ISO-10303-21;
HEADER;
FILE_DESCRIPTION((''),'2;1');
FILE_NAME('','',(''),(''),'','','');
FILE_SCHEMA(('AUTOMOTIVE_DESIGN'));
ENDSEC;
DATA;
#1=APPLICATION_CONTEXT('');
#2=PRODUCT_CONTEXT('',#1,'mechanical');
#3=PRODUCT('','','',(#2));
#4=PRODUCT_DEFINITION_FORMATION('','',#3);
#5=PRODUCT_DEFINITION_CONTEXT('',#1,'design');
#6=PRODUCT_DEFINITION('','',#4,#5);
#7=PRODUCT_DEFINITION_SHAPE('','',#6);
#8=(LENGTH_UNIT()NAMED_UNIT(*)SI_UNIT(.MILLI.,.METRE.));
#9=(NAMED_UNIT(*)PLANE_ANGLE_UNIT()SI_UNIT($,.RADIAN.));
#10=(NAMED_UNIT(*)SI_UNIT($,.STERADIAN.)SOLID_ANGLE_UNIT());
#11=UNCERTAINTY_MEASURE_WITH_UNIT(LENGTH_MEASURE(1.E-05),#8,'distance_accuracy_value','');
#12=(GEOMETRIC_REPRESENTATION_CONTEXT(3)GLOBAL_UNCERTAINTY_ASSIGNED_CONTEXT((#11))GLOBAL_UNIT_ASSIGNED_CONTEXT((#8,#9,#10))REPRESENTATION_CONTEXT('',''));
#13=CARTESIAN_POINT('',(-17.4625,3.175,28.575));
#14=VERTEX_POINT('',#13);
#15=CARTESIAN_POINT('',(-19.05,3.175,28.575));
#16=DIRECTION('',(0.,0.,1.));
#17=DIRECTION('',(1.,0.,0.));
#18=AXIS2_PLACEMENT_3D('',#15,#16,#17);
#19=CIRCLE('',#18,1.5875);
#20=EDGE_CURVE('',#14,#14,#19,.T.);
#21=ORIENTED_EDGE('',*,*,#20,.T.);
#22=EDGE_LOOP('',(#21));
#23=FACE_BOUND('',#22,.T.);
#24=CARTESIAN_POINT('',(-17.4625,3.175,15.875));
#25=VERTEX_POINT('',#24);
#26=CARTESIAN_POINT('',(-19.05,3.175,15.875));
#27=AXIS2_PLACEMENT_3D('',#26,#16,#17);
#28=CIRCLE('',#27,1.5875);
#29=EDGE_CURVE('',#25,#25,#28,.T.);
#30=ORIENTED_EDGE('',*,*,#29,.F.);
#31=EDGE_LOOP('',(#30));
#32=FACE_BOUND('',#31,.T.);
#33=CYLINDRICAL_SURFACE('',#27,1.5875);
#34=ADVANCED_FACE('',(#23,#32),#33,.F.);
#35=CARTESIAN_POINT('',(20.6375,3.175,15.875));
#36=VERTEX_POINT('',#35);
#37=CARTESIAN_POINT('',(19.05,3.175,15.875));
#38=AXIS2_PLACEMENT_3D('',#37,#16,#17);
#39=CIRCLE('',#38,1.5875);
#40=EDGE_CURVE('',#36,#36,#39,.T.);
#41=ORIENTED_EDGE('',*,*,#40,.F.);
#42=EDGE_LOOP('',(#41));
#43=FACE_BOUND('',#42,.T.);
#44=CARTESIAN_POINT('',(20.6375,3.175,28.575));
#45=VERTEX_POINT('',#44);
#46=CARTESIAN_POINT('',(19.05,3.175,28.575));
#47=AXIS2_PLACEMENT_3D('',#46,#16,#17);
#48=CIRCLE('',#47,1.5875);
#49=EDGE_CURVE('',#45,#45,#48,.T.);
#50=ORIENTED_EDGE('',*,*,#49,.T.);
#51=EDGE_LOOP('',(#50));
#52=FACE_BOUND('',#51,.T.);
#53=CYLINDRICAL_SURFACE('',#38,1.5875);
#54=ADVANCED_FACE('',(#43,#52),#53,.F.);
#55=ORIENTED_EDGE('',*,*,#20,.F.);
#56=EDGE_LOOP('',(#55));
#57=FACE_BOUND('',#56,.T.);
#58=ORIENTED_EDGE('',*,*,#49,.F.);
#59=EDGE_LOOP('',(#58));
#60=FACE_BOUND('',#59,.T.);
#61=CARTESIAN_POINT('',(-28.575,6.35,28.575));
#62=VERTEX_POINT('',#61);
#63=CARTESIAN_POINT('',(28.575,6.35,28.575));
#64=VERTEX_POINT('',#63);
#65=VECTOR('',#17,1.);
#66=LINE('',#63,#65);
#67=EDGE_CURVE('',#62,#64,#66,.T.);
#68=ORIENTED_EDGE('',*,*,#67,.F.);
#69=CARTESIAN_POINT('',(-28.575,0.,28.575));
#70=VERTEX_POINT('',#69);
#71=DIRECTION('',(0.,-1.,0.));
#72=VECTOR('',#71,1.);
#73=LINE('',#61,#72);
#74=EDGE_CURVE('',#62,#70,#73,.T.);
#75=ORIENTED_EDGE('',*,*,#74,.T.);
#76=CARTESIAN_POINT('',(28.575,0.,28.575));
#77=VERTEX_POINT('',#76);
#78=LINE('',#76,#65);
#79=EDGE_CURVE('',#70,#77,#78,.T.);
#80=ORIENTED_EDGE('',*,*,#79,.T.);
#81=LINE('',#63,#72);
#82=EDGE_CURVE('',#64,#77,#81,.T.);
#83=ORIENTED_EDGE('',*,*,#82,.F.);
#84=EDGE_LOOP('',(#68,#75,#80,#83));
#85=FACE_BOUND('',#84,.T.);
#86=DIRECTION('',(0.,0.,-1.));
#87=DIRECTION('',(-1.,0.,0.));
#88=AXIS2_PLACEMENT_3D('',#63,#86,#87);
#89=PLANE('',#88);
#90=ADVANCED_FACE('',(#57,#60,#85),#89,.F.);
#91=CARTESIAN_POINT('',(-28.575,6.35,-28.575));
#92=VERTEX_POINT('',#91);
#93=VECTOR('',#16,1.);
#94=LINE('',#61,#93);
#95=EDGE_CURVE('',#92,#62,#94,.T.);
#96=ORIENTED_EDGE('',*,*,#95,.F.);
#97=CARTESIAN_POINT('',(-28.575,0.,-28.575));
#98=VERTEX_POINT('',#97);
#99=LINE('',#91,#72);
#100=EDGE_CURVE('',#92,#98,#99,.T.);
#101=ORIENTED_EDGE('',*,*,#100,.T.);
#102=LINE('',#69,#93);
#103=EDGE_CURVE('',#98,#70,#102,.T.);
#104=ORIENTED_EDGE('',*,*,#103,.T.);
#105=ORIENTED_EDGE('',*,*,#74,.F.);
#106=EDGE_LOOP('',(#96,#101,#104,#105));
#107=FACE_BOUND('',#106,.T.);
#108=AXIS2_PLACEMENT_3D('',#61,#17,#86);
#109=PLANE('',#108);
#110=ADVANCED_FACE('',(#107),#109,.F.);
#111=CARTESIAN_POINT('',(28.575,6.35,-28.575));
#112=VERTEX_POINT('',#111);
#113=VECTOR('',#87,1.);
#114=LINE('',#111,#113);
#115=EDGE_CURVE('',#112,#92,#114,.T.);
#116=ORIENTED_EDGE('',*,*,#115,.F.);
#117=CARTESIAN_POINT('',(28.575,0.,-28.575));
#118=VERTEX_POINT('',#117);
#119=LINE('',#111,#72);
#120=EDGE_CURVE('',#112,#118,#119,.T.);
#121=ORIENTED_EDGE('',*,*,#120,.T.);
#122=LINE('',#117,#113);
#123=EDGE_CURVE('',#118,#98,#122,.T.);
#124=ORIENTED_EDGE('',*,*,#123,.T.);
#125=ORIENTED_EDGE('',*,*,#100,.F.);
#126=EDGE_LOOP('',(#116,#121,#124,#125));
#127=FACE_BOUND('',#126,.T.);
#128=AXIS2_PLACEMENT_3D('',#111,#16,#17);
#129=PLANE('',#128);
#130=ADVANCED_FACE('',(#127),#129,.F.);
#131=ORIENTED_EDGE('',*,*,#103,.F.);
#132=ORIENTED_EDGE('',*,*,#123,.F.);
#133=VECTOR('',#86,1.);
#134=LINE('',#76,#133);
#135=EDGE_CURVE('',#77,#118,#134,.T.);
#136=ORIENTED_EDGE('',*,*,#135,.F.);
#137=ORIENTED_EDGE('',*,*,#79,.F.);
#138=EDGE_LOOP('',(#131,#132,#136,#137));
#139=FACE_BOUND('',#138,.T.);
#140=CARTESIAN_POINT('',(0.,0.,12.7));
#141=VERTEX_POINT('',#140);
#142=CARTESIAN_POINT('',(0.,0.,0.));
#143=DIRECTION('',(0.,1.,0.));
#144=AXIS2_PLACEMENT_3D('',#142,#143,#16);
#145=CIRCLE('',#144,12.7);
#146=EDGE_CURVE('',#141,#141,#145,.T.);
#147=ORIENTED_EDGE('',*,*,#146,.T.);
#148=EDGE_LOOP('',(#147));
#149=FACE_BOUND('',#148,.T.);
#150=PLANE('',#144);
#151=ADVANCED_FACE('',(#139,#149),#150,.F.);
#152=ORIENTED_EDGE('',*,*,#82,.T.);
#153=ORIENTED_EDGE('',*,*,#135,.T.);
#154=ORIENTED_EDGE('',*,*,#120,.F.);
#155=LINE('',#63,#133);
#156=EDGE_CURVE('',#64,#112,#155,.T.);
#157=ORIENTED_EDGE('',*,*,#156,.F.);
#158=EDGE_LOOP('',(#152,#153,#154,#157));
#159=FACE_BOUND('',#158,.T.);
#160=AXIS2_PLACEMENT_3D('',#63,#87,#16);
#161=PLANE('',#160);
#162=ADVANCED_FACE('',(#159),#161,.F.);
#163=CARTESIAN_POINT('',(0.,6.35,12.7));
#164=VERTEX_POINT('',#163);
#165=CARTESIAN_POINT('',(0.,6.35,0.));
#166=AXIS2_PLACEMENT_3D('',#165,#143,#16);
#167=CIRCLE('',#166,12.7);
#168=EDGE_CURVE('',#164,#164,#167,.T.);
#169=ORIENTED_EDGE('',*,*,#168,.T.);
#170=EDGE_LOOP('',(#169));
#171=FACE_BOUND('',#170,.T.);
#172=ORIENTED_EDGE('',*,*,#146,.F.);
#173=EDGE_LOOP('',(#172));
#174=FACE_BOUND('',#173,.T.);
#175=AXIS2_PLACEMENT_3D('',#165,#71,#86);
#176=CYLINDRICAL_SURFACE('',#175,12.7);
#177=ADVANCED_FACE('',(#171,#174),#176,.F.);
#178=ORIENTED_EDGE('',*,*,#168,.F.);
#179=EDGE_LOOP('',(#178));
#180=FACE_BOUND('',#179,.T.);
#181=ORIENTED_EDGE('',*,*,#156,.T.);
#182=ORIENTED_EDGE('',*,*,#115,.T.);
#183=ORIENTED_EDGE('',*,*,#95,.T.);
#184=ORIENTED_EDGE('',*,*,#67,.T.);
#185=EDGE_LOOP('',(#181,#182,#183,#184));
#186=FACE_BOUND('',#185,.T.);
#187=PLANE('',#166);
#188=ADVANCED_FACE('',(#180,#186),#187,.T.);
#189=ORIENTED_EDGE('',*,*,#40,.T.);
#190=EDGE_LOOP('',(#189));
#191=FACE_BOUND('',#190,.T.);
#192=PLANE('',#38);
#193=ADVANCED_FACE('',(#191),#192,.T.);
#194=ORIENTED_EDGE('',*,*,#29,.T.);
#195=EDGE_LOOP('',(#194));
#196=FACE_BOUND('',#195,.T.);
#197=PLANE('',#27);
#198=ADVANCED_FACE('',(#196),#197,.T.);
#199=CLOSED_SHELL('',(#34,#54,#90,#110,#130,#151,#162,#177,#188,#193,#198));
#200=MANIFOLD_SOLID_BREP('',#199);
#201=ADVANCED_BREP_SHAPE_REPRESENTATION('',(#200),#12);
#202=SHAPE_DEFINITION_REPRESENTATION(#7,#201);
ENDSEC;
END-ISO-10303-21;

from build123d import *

# Parameters (mm, degrees)
SKETCH1_W           = 57.15
SKETCH1_H           = 57.15
SKETCH1_R           = 12.7
BOSS_EXTRUDE1_DEPTH = 6.35
SKETCH2_R           = 1.5875
CUT_EXTRUDE1_DEPTH  = 12.7


with BuildPart() as part:
    # Sketch1 → Boss-Extrude1 (new body)
    with BuildSketch(Plane(origin=(0, 0, 0), x_dir=(1, 0, 0), z_dir=(0, 1, 0))):
        Rectangle(SKETCH1_W, SKETCH1_H)
        Circle(SKETCH1_R, mode=Mode.SUBTRACT)
    extrude(amount=BOSS_EXTRUDE1_DEPTH)

    # Sketch2 → Cut-Extrude1 (cut)
    with BuildSketch(Plane.XY.offset(28.575)):
        with Locations((-19.05, 3.175)):
            Circle(SKETCH2_R)
        with Locations((19.05, 3.175)):
            Circle(SKETCH2_R)
    extrude(amount=-CUT_EXTRUDE1_DEPTH, mode=Mode.SUBTRACT)


solid = part.part
